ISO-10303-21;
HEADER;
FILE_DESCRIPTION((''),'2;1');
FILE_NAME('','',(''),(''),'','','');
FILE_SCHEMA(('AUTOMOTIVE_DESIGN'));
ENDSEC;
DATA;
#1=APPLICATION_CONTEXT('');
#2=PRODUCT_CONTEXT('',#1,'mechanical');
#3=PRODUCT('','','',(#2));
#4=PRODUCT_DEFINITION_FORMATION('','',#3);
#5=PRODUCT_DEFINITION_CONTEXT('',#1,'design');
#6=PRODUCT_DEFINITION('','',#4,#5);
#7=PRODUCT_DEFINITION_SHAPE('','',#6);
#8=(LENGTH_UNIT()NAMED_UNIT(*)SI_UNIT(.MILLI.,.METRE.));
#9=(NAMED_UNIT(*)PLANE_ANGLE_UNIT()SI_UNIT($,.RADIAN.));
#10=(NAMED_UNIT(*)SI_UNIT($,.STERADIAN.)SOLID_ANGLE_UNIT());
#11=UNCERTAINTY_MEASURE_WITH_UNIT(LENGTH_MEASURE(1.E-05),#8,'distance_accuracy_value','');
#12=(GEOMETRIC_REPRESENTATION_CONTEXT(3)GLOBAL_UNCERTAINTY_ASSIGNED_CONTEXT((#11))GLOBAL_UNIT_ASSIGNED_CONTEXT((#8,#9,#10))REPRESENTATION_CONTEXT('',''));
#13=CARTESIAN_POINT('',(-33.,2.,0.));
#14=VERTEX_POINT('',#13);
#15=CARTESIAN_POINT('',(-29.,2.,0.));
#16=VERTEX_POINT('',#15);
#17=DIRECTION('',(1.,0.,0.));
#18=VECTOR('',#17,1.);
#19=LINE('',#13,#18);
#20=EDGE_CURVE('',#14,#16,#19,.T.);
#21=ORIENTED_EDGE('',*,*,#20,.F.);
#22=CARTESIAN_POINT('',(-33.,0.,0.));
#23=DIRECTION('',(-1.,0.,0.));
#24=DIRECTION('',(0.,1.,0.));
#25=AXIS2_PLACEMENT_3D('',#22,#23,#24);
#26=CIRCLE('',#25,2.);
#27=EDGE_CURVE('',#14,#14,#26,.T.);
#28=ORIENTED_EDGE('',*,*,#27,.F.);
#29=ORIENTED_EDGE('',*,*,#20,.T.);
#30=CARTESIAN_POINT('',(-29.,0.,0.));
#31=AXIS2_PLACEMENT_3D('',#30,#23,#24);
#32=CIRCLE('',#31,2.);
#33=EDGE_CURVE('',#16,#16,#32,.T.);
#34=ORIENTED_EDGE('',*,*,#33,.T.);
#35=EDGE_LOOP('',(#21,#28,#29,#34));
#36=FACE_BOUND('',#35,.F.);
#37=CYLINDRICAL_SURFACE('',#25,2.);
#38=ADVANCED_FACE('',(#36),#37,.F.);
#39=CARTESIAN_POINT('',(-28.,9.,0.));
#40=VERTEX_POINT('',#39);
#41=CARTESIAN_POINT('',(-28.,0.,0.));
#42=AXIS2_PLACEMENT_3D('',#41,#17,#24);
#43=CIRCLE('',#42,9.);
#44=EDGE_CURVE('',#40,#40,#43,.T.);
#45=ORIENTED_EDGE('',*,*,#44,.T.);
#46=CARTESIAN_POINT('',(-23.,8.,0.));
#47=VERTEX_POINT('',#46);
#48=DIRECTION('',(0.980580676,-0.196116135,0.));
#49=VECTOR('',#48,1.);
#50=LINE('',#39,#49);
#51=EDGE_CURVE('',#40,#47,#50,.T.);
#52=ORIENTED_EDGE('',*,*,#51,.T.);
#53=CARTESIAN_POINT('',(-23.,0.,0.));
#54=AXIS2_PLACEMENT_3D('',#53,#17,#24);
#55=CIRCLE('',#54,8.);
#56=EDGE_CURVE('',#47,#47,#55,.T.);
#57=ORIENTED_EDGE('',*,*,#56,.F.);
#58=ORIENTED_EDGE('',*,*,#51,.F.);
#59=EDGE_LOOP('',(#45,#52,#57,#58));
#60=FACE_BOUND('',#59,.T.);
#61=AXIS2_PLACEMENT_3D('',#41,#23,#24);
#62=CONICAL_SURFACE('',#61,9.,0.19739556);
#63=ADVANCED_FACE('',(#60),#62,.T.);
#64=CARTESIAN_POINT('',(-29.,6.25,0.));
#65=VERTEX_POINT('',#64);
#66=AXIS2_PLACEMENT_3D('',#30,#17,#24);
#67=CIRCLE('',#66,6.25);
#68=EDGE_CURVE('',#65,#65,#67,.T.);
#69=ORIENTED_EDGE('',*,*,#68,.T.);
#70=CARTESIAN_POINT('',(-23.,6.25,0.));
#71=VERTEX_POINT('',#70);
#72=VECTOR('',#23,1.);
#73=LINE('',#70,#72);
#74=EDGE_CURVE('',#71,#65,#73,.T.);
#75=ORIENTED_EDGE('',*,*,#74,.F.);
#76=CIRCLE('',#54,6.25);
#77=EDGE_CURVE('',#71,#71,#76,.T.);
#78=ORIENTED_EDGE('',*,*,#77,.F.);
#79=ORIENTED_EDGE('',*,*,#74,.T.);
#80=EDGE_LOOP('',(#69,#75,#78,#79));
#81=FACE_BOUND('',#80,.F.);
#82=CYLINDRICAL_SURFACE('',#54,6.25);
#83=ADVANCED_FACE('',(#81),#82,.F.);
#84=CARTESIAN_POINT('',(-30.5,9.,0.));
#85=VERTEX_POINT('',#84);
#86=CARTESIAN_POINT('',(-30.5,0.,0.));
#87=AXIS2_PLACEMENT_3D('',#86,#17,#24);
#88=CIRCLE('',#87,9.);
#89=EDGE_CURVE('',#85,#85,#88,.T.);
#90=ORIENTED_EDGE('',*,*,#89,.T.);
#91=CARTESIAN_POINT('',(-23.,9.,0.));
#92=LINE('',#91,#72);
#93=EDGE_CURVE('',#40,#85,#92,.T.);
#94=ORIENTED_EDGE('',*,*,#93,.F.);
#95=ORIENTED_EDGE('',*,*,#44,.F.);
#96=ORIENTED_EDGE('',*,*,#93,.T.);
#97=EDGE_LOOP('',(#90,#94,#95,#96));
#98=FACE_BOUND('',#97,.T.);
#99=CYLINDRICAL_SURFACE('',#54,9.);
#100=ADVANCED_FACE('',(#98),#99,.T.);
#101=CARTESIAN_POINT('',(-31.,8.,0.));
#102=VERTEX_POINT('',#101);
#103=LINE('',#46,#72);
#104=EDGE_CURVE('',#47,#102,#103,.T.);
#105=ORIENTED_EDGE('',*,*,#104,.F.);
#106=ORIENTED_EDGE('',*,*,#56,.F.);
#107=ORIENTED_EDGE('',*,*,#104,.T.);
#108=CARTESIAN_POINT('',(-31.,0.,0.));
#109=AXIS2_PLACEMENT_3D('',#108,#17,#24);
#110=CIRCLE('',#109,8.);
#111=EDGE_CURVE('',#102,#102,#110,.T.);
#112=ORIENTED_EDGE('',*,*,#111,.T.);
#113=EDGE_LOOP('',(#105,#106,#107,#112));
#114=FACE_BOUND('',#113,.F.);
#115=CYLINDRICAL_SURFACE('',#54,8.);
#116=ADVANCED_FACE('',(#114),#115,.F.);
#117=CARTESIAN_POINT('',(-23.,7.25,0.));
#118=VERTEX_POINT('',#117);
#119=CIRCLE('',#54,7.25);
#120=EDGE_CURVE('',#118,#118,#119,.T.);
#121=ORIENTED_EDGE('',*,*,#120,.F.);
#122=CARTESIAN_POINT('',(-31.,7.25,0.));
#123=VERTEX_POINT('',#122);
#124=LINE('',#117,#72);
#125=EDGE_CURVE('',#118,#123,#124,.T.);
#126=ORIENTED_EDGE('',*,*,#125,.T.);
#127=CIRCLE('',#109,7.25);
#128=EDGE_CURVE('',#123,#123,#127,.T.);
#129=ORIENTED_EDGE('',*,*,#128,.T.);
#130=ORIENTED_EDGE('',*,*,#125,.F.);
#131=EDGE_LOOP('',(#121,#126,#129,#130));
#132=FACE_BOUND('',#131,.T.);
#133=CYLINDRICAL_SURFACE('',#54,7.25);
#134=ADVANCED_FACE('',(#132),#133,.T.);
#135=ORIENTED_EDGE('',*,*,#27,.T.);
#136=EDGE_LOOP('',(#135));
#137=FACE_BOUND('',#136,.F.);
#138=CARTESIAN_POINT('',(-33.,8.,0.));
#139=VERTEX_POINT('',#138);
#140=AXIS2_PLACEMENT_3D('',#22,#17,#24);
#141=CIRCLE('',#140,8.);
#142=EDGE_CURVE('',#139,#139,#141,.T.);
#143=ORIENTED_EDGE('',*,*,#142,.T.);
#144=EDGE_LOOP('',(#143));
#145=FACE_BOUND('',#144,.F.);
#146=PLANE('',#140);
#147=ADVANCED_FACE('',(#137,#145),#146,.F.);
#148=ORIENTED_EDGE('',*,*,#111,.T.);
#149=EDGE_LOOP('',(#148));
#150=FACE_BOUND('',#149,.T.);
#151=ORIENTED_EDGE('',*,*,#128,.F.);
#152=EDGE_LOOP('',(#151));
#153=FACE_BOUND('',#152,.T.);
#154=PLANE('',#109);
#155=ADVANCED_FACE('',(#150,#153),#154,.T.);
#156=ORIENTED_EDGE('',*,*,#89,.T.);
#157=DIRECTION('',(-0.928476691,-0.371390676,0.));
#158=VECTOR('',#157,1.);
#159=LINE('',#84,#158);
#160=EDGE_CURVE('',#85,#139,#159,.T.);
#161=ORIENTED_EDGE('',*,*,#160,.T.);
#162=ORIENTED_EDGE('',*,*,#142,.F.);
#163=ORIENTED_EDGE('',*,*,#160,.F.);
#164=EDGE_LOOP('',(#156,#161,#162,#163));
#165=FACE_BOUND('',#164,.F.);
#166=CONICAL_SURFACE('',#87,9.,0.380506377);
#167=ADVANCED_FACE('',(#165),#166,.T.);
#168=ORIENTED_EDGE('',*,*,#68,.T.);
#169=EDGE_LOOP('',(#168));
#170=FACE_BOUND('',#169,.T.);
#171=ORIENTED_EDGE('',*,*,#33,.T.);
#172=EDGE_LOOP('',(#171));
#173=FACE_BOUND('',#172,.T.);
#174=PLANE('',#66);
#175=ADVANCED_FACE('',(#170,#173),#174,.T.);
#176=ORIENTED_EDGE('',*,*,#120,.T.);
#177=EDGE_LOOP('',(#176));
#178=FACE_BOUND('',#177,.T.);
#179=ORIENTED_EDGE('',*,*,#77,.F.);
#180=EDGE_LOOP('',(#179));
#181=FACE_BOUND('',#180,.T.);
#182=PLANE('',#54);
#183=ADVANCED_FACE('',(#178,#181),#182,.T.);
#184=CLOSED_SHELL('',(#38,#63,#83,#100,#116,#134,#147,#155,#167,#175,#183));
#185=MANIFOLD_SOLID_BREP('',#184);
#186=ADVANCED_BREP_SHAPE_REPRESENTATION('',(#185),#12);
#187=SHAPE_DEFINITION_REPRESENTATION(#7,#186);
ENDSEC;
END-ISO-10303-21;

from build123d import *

# Parameters (mm, degrees)
SKETCH022_R      = 9
PAD008_DEPTH     = 10
CHAMFER002_SIZE2 = 1
CHAMFER002_SIZE  = 5
CHAMFER003_SIZE2 = 1
CHAMFER003_SIZE  = 2.5
SKETCH023_R      = 6.25
POCKET014_DEPTH  = 6
SKETCH024_R      = 2
POCKET015_DEPTH  = 5
SKETCH025_R      = 8
SKETCH025_R_2    = 7.25
POCKET016_DEPTH  = 8


with BuildPart() as part:
    # Sketch022 → Pad008 (new body)
    with BuildSketch(Plane.YZ):
        Circle(SKETCH022_R)
    extrude(amount=-PAD008_DEPTH)

    # Chamfer002
    chamfer002_edges = [part.edges().sort_by_distance(p)[0] for p in [
        (0, -9, 0),
    ]]
    chamfer002_side = part.faces().sort_by_distance((-5, -9, 0))[0]
    chamfer(chamfer002_edges, length=CHAMFER002_SIZE, length2=CHAMFER002_SIZE2, reference=chamfer002_side)

    # Chamfer003
    chamfer003_edges = [part.edges().sort_by_distance(p)[0] for p in [
        (-10, -9, 0),
    ]]
    chamfer003_side = part.faces().sort_by_distance((-7.5, -9, 0))[0]
    chamfer(chamfer003_edges, length=CHAMFER003_SIZE, length2=CHAMFER003_SIZE2, reference=chamfer003_side)

    # Sketch023 (on Face5 of Chamfer003) → Pocket014 (cut)
    with BuildSketch(Plane.YZ):
        Circle(SKETCH023_R)
    extrude(amount=-POCKET014_DEPTH, mode=Mode.SUBTRACT)

    # Sketch024 (on Face4 of Pocket014) → Pocket015 (cut)
    with BuildSketch(Plane(origin=(-10, 0, 0), x_dir=(0, 1, 0), z_dir=(-1, 0, 0))):
        Circle(SKETCH024_R)
    extrude(amount=-POCKET015_DEPTH, mode=Mode.SUBTRACT)

    # Sketch025 → Pocket016 (cut)
    with BuildSketch(Plane.YZ):
        Circle(SKETCH025_R)
        Circle(SKETCH025_R_2, mode=Mode.SUBTRACT)
    extrude(amount=-POCKET016_DEPTH, mode=Mode.SUBTRACT)


with BuildPart() as part_1:
    # Body005 placement: moved
    add(part.part.moved(Location((-23, 0, 0))))


solid = part_1.part
